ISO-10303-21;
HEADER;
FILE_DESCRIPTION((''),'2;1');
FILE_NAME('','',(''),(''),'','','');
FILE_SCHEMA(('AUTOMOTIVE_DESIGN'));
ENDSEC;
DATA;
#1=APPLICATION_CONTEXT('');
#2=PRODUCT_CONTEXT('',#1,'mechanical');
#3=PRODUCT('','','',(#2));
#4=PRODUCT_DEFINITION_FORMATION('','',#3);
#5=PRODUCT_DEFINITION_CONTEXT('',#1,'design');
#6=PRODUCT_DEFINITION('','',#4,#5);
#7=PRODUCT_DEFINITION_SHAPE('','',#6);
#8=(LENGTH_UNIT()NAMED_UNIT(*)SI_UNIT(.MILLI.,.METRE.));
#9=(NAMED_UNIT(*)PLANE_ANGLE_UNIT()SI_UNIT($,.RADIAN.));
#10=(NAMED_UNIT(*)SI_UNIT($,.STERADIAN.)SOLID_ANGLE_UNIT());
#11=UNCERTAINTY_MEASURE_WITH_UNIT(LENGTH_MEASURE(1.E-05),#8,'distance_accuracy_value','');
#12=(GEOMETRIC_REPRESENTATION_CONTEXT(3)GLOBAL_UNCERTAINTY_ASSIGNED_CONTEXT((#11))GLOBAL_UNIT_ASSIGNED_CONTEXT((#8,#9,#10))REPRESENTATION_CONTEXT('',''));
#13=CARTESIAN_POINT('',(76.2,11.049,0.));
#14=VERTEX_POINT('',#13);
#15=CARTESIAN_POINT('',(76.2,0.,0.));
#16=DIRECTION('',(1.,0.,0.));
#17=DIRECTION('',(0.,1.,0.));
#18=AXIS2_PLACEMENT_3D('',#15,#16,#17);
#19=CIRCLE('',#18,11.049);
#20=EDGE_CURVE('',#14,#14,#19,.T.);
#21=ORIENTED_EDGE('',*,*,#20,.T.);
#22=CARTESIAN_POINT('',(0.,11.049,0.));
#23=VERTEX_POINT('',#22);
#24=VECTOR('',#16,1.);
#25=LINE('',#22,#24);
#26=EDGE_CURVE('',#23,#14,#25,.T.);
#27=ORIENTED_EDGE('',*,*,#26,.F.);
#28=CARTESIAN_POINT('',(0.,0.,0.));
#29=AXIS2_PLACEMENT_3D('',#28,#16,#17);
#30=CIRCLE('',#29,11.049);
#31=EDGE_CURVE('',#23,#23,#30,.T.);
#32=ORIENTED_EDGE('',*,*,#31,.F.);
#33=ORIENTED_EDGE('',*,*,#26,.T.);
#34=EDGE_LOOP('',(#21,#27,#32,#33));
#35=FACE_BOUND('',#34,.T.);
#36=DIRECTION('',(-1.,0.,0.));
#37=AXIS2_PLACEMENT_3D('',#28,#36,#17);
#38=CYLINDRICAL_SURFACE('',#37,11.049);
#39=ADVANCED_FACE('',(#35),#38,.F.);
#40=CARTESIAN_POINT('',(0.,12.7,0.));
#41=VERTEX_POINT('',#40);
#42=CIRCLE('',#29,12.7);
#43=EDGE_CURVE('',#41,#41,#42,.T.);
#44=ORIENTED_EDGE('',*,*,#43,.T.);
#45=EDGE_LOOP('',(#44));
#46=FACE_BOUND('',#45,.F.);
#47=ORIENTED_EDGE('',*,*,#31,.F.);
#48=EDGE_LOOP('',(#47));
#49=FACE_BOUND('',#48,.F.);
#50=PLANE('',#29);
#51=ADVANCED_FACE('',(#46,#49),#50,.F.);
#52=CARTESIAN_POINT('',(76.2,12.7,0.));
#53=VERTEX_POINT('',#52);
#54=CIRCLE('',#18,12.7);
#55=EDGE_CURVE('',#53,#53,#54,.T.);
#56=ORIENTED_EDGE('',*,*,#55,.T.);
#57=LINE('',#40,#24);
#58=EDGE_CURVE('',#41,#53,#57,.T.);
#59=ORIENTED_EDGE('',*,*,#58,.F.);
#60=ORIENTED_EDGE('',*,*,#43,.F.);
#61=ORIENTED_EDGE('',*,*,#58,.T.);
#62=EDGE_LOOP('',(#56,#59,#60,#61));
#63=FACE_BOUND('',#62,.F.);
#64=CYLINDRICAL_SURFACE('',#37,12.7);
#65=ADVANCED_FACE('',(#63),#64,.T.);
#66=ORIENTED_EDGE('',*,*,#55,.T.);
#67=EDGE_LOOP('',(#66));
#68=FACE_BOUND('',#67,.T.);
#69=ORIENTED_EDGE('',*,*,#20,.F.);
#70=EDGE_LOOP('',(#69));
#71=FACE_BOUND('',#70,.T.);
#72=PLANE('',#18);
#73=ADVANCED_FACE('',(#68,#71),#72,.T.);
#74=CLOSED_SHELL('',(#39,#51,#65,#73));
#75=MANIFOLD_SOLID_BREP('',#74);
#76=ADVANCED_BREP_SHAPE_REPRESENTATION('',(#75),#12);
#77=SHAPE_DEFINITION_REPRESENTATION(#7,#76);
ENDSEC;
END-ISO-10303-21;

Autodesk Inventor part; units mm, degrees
ref_plane "XZ Plane" through (0, 0, 0) normal (0, 1, 0) x (-1, 0, 0)
ref_plane "Start Plane" through (0, 0, 0) normal (1, 0, 0) x (0, 1, 0)
ref_plane "End Plane" through (76.2, 0, 0) normal (1, 0, 0) x (0, 1, 0)
sketch "Sketch" plane through (0, 0, 0) normal (1, 0, 0) x (0, 1, 0)
  circle A0 centre (0, 0) radius 12.7
  circle A1 centre (0, 0) radius 11.049
  dimension "d0" = 25.4
  dimension "d1" = 1.651
extrude "Body" add sketch "Sketch" along normal up to surface (76.2 mm away) from surface at 0
sketch "Sketch2" plane through (0, 0, 0) normal (1, 0, 0) x (0, 1, 0)
  line L0 (0, 0) -> (10, 0)
ref_plane "Work Plane3" through (0, 0, 0) normal (0, 0, -1) x (0, 1, 0)
sketch "Sketch3" plane through (0, 0, 0) normal (0, 0, -1) x (0, 1, 0)
  line L0 (-2, 0) -> (12, 0)
  line L1 (-2, 76.2) -> (12, 76.2)
  dimension "d9" = 76.2
equation "\"G_OFFSET_START\" = 0"
equation "\"G_OFFSET_END\" = 0"
equation "\"d5\" = d2 + G_OFFSET_END"
equation "\"G_L\" = d9"
equation "\"d2\" = 76.2"
properties part number "4130_1x0.065" material "Steel, Alloy"
